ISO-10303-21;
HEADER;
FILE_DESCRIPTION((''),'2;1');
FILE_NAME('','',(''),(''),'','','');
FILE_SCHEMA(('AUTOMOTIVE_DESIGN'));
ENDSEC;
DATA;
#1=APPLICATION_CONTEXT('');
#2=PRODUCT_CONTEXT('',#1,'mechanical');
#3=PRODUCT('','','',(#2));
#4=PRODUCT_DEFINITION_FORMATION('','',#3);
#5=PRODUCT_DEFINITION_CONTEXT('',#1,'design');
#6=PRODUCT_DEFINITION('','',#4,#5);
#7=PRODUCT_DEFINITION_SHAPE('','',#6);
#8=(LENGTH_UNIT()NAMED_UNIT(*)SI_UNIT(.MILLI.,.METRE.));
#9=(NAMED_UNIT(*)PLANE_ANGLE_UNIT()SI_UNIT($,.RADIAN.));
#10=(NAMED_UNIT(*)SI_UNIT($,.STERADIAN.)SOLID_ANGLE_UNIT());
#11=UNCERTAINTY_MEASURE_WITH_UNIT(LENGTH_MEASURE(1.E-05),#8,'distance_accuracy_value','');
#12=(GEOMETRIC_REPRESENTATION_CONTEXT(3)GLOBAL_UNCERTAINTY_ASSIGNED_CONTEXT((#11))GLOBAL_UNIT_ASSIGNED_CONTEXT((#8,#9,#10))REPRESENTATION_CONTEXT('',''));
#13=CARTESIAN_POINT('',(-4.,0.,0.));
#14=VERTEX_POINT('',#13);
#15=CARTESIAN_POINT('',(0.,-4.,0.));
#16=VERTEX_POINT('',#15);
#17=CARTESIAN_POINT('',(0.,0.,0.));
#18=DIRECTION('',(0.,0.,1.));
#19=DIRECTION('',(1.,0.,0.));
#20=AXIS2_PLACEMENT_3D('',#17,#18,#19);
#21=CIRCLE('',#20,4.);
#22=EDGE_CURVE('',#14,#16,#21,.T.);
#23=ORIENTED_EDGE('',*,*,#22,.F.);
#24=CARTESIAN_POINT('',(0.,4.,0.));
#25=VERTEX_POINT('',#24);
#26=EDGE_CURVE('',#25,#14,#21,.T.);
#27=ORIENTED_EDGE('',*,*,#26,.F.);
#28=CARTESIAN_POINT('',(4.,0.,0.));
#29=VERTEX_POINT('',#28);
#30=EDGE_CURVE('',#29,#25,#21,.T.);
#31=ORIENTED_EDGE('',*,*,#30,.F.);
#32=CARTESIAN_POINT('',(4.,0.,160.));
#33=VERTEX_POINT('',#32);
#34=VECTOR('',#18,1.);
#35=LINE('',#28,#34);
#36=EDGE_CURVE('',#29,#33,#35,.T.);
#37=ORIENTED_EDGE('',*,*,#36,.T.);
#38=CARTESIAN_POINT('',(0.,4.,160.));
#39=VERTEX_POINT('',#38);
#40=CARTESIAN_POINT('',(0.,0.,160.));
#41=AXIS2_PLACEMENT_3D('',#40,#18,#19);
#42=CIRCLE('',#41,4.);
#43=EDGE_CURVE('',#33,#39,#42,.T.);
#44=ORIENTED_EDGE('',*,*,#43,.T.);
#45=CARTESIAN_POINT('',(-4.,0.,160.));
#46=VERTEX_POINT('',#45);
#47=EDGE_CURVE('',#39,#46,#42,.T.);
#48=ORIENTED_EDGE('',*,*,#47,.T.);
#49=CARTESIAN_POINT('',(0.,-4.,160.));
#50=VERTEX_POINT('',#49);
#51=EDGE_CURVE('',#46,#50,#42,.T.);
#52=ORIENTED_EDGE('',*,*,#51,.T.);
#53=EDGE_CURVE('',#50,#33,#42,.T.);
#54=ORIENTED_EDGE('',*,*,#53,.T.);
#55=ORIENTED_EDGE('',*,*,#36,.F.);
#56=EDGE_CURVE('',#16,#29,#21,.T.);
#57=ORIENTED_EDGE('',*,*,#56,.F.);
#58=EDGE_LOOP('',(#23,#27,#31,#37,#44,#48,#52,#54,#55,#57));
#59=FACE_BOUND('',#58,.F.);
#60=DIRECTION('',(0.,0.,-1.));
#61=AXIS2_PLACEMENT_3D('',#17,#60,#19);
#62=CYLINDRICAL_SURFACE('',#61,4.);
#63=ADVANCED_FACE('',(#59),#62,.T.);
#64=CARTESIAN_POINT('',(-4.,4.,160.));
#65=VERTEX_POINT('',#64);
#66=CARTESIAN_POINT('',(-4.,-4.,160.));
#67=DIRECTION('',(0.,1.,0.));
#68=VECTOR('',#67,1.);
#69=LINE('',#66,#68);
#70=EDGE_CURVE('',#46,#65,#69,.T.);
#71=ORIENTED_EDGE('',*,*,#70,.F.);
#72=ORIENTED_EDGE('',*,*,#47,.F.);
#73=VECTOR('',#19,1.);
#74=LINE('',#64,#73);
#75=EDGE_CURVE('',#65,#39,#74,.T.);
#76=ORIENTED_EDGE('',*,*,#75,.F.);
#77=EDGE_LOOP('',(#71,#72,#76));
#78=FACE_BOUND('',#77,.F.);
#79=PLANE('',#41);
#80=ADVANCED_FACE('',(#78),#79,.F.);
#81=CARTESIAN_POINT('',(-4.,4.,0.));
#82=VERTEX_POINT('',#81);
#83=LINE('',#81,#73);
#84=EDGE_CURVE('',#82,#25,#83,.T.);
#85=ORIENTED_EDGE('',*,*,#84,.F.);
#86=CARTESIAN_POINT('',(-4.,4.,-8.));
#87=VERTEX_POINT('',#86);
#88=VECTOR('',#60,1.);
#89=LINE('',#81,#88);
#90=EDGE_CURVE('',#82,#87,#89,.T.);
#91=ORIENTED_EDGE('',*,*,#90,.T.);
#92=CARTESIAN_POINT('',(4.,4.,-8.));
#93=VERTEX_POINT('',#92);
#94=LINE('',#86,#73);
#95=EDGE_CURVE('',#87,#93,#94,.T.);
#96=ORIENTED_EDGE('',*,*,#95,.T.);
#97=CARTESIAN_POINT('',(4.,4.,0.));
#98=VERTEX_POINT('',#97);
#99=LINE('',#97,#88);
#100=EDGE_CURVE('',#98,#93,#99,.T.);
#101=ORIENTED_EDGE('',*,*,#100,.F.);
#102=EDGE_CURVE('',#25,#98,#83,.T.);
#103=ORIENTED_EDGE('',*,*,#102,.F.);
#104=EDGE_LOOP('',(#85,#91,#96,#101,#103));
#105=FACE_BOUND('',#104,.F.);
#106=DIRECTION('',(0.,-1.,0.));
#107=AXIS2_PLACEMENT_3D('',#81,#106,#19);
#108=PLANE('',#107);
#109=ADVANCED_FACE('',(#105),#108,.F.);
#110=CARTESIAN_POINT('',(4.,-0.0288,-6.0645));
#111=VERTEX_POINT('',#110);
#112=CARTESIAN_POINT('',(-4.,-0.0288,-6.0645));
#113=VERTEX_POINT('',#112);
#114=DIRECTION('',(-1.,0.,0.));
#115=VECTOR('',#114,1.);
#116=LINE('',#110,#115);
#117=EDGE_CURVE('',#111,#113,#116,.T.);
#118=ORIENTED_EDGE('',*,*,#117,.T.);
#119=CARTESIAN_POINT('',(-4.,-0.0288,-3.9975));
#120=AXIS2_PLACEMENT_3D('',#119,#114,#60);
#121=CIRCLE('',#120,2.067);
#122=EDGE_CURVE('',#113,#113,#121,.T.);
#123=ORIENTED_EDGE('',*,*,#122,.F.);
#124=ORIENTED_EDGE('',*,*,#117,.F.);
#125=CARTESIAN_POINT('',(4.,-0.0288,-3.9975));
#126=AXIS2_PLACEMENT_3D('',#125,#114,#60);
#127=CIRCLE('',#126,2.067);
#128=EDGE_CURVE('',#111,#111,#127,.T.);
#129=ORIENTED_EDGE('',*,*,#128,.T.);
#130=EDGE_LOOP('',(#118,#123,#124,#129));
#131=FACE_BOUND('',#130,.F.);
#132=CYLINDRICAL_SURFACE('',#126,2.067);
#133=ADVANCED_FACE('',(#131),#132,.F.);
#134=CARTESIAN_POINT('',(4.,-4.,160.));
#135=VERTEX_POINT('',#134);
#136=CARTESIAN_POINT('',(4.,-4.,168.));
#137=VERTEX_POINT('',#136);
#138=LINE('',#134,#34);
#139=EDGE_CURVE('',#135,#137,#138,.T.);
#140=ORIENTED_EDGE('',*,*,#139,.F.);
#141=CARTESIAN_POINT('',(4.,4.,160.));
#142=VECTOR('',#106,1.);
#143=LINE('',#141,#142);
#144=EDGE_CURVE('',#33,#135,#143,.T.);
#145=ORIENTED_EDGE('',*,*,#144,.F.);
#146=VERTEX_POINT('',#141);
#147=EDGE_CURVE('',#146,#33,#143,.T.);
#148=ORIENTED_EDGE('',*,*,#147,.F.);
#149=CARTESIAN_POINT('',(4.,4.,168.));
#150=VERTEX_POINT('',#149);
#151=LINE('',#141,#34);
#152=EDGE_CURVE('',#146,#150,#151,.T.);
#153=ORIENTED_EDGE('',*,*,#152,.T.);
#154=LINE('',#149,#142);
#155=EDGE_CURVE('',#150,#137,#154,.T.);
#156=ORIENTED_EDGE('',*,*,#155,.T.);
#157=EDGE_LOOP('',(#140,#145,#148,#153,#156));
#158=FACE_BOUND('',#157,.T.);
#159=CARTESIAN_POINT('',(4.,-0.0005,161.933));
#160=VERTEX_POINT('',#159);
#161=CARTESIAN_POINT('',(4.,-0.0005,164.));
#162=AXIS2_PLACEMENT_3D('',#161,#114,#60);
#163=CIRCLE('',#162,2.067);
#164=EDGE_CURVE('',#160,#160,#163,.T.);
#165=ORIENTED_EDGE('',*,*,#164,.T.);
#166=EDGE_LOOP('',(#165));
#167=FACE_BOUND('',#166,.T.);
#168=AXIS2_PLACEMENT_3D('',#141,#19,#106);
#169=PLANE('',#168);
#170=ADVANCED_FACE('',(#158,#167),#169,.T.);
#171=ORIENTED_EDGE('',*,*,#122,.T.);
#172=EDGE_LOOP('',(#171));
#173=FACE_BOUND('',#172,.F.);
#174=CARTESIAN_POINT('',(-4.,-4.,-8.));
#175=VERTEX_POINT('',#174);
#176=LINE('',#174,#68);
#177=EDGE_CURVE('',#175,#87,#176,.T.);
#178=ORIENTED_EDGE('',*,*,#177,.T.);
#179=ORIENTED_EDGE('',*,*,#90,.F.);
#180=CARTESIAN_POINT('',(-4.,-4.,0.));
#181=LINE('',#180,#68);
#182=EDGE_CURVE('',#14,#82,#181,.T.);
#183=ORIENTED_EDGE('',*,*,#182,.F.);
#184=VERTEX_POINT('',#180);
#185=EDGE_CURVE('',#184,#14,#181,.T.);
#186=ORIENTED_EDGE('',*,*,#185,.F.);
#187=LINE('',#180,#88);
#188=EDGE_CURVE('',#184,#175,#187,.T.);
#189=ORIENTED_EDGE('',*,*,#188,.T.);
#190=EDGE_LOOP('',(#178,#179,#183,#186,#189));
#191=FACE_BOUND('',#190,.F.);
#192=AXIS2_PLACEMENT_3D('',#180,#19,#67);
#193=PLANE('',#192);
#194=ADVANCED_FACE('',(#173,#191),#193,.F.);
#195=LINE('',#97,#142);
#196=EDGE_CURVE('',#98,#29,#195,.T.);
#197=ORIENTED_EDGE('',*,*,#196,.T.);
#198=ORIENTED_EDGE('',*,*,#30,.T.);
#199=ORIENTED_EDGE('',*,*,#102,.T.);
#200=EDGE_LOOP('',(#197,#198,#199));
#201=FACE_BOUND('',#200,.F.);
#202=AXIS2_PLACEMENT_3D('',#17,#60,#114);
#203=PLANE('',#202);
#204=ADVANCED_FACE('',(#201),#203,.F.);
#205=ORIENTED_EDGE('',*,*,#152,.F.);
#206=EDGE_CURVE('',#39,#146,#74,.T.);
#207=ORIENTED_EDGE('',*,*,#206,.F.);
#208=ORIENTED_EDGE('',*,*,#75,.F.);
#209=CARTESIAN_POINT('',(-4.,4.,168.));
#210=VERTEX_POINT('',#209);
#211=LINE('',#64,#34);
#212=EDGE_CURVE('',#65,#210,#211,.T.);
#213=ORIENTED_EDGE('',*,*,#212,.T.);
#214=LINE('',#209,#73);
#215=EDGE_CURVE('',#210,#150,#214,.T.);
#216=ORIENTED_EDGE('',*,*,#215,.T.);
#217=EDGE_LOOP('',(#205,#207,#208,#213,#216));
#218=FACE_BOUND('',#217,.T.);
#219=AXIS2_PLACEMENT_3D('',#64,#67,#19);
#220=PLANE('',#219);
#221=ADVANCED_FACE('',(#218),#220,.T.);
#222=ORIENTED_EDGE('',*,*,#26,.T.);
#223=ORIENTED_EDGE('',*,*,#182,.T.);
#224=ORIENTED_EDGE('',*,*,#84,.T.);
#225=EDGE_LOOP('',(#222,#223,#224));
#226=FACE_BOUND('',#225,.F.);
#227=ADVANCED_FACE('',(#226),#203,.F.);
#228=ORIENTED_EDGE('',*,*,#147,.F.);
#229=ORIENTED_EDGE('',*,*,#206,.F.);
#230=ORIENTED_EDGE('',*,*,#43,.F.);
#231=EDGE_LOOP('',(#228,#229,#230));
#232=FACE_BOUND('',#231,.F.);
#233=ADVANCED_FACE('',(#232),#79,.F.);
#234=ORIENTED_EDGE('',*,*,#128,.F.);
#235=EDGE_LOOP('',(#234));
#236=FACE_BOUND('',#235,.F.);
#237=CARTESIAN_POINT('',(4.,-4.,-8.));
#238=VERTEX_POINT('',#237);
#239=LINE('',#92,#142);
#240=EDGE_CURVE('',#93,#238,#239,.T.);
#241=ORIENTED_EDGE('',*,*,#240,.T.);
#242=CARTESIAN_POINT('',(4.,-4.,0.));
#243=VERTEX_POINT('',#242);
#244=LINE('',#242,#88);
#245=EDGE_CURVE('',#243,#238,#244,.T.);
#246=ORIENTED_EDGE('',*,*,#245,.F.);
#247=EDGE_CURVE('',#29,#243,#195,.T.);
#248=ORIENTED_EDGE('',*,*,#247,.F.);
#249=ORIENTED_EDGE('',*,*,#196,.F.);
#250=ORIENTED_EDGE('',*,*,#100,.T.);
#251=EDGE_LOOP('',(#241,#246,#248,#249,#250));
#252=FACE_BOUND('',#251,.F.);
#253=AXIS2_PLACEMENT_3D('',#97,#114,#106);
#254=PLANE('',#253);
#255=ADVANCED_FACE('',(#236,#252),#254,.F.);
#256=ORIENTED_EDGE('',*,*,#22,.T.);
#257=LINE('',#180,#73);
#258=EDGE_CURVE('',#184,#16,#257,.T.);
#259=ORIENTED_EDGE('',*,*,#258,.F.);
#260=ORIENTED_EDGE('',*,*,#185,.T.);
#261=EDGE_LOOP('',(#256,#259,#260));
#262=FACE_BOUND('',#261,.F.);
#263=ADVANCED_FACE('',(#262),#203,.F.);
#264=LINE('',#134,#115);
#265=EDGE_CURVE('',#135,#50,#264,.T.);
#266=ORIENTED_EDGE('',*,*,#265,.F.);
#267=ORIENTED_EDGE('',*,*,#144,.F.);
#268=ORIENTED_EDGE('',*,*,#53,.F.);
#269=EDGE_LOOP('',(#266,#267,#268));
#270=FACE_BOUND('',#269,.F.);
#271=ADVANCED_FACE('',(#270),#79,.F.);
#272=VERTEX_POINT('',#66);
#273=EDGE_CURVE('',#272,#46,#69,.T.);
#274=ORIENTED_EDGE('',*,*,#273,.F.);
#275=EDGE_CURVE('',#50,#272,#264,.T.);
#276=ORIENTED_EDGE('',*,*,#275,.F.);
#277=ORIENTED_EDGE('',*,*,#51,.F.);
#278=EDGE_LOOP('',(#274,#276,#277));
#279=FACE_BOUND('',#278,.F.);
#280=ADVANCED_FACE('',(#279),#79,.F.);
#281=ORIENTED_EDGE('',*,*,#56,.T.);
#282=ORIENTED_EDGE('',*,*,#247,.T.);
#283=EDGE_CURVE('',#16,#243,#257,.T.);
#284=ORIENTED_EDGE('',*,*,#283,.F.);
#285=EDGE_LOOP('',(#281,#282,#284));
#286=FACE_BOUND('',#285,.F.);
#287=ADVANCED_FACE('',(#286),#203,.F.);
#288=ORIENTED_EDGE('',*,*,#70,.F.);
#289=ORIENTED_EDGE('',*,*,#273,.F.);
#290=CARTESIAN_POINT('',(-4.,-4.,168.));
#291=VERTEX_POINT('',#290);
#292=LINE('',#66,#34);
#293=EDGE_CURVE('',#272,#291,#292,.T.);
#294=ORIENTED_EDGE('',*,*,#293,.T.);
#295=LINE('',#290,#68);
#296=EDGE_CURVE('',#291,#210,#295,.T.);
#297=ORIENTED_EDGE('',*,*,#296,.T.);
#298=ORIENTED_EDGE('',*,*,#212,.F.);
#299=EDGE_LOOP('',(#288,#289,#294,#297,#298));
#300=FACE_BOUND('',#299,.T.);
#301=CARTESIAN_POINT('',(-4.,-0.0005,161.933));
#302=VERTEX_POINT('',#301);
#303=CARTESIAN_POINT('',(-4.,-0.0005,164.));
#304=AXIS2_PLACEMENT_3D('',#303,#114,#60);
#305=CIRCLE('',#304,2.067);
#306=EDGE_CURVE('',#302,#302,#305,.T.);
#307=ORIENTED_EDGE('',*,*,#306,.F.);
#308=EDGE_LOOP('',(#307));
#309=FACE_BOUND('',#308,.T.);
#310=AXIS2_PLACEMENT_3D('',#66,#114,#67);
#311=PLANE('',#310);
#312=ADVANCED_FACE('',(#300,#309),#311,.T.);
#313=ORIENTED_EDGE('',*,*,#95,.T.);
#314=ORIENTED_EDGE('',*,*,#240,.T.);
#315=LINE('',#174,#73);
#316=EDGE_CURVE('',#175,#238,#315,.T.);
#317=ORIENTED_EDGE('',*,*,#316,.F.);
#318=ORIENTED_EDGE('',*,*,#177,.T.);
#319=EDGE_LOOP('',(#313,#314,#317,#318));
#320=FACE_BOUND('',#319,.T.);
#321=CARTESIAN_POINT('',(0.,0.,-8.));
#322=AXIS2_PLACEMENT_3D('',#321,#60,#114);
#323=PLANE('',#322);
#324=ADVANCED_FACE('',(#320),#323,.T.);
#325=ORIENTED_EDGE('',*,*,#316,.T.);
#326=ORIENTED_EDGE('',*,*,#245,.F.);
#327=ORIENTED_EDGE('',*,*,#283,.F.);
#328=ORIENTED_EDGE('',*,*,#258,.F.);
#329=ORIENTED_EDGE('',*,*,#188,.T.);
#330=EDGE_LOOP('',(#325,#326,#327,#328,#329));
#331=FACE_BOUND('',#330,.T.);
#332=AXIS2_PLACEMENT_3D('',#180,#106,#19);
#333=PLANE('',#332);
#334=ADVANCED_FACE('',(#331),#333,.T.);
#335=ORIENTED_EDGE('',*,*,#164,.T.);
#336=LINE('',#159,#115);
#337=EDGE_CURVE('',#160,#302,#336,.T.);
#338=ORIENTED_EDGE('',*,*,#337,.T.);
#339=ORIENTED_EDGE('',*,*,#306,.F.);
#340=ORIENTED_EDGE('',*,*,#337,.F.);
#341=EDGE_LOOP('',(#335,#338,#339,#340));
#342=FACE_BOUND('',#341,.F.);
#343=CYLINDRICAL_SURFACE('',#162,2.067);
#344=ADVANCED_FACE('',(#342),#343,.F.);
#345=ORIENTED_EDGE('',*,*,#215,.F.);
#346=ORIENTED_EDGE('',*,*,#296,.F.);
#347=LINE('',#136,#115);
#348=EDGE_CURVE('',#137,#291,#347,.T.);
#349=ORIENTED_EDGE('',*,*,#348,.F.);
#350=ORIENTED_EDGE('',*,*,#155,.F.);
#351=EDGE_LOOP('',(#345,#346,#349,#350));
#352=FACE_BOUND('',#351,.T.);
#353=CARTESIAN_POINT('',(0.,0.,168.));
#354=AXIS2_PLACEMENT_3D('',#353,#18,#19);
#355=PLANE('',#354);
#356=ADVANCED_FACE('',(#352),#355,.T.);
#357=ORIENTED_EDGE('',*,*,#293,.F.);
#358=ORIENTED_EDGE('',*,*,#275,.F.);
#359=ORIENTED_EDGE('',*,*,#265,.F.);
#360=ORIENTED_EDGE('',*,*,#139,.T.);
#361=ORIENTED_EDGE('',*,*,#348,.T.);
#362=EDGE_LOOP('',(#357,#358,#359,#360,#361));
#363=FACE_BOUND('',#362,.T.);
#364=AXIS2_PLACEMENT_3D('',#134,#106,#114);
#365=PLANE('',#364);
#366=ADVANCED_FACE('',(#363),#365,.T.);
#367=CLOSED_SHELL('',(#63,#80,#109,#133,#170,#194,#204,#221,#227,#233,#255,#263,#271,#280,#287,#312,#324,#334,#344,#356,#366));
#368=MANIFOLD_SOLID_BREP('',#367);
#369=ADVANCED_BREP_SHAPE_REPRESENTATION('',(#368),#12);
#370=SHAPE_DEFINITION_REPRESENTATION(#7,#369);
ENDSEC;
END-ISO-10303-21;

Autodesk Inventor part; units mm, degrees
ref_plane "YZ Plane" through (0, 0, 0) normal (1, 0, 0) x (0, 1, 0)
ref_plane "XZ Plane" through (0, 0, 0) normal (0, 1, 0) x (-1, 0, 0)
ref_plane "XY Plane" through (0, 0, 0) normal (0, 0, 1) x (1, 0, 0)
sketch "Szkic1" plane through (0, 0, 0) normal (0, 0, 1) x (1, 0, 0)
  circle A0 centre (0, 0) radius 4
  dimension "d0" = 8
extrude "Wyciągnięcie proste1" add sketch "Szkic1" along normal blind 160
sketch "Szkic2" plane through (0, 0, 160) normal (0, 0, 1) x (1, 0, 0)
  line L0 (4, -4) -> (-4, -4)
  line L1 (-4, -4) -> (-4, 4)
  line L2 (-4, 4) -> (4, 4)
  line L3 (4, 4) -> (4, -4)
  line L4 (4, -4) -> (-4, 4) construction
  line L5 (-4, -4) -> (4, 4) construction
  point P0 (0, 0)
  dimension "d3" = 8
  dimension "d4" = 8
extrude "Wyciągnięcie proste2" add sketch "Szkic2" along normal blind 8
sketch "Szkic3" plane through (0, 0, 0) normal (0, 0, -1) x (-1, 0, 0)
  line L0 (4, -4) -> (-4, -4) projected
  line L1 (4, 4) -> (-4, 4)
  line L2 (-4, 4) -> (-4, -4)
  line L3 (-4, -4) -> (4, -4)
  line L4 (4, -4) -> (4, 4)
  line L5 (4, 4) -> (-4, -4) construction
  line L6 (-4, 4) -> (4, -4) construction
  point P0 (0, 0)
extrude "Wyciągnięcie proste3" add sketch "Szkic3" along normal blind 8
sketch "Szkic4" plane through (4, 0, 0) normal (1, 0, 0) x (0, 0, -1)
  line L0 (0, -4) -> (8, -4) construction
  line L1 (8, -4) -> (0, 3.9612) construction
  line L2 (0, 0) -> (0, -4) construction
  line L3 (8, -4) -> (8, 4) construction
  line L4 (0, -4) -> (8, 4) construction
  line L5 (-160, 0) -> (-160, -4) construction
  line L6 (-168, 4) -> (-168, -4) construction
  line L7 (-160, -4) -> (-168, 4) construction
  line L8 (-168, 4) -> (-168, -4) construction
  line L9 (-168, -4) -> (-160, 4) construction
sketch "Szkic5" plane through (4, 0, 0) normal (1, 0, 0) x (0, 0, -1)
  point P0 (0, 0)
  point P1 (3.9975, -0.0288)
hole "Otwór1" at (4, -0.0288, -3.9975) direction (-1, 0, 0) diameter 4.134 end through all thread size "M5x0.8" class "6H" standard "ANSI Metric M Profile"
sketch "Szkic6" plane through (4, -4, 160) normal (1, 0, 0) x (0, 0, -1)
  point P0 (160, 4)
  point P1 (-4, 3.9995)
hole "Otwór2" at (4, -0.0005, 164) direction (-1, 0, 0) diameter 4.134 end through all thread size "M5x0.8" class "6H" standard "ANSI Metric M Profile"
properties part number "wal_sr_tyl"
